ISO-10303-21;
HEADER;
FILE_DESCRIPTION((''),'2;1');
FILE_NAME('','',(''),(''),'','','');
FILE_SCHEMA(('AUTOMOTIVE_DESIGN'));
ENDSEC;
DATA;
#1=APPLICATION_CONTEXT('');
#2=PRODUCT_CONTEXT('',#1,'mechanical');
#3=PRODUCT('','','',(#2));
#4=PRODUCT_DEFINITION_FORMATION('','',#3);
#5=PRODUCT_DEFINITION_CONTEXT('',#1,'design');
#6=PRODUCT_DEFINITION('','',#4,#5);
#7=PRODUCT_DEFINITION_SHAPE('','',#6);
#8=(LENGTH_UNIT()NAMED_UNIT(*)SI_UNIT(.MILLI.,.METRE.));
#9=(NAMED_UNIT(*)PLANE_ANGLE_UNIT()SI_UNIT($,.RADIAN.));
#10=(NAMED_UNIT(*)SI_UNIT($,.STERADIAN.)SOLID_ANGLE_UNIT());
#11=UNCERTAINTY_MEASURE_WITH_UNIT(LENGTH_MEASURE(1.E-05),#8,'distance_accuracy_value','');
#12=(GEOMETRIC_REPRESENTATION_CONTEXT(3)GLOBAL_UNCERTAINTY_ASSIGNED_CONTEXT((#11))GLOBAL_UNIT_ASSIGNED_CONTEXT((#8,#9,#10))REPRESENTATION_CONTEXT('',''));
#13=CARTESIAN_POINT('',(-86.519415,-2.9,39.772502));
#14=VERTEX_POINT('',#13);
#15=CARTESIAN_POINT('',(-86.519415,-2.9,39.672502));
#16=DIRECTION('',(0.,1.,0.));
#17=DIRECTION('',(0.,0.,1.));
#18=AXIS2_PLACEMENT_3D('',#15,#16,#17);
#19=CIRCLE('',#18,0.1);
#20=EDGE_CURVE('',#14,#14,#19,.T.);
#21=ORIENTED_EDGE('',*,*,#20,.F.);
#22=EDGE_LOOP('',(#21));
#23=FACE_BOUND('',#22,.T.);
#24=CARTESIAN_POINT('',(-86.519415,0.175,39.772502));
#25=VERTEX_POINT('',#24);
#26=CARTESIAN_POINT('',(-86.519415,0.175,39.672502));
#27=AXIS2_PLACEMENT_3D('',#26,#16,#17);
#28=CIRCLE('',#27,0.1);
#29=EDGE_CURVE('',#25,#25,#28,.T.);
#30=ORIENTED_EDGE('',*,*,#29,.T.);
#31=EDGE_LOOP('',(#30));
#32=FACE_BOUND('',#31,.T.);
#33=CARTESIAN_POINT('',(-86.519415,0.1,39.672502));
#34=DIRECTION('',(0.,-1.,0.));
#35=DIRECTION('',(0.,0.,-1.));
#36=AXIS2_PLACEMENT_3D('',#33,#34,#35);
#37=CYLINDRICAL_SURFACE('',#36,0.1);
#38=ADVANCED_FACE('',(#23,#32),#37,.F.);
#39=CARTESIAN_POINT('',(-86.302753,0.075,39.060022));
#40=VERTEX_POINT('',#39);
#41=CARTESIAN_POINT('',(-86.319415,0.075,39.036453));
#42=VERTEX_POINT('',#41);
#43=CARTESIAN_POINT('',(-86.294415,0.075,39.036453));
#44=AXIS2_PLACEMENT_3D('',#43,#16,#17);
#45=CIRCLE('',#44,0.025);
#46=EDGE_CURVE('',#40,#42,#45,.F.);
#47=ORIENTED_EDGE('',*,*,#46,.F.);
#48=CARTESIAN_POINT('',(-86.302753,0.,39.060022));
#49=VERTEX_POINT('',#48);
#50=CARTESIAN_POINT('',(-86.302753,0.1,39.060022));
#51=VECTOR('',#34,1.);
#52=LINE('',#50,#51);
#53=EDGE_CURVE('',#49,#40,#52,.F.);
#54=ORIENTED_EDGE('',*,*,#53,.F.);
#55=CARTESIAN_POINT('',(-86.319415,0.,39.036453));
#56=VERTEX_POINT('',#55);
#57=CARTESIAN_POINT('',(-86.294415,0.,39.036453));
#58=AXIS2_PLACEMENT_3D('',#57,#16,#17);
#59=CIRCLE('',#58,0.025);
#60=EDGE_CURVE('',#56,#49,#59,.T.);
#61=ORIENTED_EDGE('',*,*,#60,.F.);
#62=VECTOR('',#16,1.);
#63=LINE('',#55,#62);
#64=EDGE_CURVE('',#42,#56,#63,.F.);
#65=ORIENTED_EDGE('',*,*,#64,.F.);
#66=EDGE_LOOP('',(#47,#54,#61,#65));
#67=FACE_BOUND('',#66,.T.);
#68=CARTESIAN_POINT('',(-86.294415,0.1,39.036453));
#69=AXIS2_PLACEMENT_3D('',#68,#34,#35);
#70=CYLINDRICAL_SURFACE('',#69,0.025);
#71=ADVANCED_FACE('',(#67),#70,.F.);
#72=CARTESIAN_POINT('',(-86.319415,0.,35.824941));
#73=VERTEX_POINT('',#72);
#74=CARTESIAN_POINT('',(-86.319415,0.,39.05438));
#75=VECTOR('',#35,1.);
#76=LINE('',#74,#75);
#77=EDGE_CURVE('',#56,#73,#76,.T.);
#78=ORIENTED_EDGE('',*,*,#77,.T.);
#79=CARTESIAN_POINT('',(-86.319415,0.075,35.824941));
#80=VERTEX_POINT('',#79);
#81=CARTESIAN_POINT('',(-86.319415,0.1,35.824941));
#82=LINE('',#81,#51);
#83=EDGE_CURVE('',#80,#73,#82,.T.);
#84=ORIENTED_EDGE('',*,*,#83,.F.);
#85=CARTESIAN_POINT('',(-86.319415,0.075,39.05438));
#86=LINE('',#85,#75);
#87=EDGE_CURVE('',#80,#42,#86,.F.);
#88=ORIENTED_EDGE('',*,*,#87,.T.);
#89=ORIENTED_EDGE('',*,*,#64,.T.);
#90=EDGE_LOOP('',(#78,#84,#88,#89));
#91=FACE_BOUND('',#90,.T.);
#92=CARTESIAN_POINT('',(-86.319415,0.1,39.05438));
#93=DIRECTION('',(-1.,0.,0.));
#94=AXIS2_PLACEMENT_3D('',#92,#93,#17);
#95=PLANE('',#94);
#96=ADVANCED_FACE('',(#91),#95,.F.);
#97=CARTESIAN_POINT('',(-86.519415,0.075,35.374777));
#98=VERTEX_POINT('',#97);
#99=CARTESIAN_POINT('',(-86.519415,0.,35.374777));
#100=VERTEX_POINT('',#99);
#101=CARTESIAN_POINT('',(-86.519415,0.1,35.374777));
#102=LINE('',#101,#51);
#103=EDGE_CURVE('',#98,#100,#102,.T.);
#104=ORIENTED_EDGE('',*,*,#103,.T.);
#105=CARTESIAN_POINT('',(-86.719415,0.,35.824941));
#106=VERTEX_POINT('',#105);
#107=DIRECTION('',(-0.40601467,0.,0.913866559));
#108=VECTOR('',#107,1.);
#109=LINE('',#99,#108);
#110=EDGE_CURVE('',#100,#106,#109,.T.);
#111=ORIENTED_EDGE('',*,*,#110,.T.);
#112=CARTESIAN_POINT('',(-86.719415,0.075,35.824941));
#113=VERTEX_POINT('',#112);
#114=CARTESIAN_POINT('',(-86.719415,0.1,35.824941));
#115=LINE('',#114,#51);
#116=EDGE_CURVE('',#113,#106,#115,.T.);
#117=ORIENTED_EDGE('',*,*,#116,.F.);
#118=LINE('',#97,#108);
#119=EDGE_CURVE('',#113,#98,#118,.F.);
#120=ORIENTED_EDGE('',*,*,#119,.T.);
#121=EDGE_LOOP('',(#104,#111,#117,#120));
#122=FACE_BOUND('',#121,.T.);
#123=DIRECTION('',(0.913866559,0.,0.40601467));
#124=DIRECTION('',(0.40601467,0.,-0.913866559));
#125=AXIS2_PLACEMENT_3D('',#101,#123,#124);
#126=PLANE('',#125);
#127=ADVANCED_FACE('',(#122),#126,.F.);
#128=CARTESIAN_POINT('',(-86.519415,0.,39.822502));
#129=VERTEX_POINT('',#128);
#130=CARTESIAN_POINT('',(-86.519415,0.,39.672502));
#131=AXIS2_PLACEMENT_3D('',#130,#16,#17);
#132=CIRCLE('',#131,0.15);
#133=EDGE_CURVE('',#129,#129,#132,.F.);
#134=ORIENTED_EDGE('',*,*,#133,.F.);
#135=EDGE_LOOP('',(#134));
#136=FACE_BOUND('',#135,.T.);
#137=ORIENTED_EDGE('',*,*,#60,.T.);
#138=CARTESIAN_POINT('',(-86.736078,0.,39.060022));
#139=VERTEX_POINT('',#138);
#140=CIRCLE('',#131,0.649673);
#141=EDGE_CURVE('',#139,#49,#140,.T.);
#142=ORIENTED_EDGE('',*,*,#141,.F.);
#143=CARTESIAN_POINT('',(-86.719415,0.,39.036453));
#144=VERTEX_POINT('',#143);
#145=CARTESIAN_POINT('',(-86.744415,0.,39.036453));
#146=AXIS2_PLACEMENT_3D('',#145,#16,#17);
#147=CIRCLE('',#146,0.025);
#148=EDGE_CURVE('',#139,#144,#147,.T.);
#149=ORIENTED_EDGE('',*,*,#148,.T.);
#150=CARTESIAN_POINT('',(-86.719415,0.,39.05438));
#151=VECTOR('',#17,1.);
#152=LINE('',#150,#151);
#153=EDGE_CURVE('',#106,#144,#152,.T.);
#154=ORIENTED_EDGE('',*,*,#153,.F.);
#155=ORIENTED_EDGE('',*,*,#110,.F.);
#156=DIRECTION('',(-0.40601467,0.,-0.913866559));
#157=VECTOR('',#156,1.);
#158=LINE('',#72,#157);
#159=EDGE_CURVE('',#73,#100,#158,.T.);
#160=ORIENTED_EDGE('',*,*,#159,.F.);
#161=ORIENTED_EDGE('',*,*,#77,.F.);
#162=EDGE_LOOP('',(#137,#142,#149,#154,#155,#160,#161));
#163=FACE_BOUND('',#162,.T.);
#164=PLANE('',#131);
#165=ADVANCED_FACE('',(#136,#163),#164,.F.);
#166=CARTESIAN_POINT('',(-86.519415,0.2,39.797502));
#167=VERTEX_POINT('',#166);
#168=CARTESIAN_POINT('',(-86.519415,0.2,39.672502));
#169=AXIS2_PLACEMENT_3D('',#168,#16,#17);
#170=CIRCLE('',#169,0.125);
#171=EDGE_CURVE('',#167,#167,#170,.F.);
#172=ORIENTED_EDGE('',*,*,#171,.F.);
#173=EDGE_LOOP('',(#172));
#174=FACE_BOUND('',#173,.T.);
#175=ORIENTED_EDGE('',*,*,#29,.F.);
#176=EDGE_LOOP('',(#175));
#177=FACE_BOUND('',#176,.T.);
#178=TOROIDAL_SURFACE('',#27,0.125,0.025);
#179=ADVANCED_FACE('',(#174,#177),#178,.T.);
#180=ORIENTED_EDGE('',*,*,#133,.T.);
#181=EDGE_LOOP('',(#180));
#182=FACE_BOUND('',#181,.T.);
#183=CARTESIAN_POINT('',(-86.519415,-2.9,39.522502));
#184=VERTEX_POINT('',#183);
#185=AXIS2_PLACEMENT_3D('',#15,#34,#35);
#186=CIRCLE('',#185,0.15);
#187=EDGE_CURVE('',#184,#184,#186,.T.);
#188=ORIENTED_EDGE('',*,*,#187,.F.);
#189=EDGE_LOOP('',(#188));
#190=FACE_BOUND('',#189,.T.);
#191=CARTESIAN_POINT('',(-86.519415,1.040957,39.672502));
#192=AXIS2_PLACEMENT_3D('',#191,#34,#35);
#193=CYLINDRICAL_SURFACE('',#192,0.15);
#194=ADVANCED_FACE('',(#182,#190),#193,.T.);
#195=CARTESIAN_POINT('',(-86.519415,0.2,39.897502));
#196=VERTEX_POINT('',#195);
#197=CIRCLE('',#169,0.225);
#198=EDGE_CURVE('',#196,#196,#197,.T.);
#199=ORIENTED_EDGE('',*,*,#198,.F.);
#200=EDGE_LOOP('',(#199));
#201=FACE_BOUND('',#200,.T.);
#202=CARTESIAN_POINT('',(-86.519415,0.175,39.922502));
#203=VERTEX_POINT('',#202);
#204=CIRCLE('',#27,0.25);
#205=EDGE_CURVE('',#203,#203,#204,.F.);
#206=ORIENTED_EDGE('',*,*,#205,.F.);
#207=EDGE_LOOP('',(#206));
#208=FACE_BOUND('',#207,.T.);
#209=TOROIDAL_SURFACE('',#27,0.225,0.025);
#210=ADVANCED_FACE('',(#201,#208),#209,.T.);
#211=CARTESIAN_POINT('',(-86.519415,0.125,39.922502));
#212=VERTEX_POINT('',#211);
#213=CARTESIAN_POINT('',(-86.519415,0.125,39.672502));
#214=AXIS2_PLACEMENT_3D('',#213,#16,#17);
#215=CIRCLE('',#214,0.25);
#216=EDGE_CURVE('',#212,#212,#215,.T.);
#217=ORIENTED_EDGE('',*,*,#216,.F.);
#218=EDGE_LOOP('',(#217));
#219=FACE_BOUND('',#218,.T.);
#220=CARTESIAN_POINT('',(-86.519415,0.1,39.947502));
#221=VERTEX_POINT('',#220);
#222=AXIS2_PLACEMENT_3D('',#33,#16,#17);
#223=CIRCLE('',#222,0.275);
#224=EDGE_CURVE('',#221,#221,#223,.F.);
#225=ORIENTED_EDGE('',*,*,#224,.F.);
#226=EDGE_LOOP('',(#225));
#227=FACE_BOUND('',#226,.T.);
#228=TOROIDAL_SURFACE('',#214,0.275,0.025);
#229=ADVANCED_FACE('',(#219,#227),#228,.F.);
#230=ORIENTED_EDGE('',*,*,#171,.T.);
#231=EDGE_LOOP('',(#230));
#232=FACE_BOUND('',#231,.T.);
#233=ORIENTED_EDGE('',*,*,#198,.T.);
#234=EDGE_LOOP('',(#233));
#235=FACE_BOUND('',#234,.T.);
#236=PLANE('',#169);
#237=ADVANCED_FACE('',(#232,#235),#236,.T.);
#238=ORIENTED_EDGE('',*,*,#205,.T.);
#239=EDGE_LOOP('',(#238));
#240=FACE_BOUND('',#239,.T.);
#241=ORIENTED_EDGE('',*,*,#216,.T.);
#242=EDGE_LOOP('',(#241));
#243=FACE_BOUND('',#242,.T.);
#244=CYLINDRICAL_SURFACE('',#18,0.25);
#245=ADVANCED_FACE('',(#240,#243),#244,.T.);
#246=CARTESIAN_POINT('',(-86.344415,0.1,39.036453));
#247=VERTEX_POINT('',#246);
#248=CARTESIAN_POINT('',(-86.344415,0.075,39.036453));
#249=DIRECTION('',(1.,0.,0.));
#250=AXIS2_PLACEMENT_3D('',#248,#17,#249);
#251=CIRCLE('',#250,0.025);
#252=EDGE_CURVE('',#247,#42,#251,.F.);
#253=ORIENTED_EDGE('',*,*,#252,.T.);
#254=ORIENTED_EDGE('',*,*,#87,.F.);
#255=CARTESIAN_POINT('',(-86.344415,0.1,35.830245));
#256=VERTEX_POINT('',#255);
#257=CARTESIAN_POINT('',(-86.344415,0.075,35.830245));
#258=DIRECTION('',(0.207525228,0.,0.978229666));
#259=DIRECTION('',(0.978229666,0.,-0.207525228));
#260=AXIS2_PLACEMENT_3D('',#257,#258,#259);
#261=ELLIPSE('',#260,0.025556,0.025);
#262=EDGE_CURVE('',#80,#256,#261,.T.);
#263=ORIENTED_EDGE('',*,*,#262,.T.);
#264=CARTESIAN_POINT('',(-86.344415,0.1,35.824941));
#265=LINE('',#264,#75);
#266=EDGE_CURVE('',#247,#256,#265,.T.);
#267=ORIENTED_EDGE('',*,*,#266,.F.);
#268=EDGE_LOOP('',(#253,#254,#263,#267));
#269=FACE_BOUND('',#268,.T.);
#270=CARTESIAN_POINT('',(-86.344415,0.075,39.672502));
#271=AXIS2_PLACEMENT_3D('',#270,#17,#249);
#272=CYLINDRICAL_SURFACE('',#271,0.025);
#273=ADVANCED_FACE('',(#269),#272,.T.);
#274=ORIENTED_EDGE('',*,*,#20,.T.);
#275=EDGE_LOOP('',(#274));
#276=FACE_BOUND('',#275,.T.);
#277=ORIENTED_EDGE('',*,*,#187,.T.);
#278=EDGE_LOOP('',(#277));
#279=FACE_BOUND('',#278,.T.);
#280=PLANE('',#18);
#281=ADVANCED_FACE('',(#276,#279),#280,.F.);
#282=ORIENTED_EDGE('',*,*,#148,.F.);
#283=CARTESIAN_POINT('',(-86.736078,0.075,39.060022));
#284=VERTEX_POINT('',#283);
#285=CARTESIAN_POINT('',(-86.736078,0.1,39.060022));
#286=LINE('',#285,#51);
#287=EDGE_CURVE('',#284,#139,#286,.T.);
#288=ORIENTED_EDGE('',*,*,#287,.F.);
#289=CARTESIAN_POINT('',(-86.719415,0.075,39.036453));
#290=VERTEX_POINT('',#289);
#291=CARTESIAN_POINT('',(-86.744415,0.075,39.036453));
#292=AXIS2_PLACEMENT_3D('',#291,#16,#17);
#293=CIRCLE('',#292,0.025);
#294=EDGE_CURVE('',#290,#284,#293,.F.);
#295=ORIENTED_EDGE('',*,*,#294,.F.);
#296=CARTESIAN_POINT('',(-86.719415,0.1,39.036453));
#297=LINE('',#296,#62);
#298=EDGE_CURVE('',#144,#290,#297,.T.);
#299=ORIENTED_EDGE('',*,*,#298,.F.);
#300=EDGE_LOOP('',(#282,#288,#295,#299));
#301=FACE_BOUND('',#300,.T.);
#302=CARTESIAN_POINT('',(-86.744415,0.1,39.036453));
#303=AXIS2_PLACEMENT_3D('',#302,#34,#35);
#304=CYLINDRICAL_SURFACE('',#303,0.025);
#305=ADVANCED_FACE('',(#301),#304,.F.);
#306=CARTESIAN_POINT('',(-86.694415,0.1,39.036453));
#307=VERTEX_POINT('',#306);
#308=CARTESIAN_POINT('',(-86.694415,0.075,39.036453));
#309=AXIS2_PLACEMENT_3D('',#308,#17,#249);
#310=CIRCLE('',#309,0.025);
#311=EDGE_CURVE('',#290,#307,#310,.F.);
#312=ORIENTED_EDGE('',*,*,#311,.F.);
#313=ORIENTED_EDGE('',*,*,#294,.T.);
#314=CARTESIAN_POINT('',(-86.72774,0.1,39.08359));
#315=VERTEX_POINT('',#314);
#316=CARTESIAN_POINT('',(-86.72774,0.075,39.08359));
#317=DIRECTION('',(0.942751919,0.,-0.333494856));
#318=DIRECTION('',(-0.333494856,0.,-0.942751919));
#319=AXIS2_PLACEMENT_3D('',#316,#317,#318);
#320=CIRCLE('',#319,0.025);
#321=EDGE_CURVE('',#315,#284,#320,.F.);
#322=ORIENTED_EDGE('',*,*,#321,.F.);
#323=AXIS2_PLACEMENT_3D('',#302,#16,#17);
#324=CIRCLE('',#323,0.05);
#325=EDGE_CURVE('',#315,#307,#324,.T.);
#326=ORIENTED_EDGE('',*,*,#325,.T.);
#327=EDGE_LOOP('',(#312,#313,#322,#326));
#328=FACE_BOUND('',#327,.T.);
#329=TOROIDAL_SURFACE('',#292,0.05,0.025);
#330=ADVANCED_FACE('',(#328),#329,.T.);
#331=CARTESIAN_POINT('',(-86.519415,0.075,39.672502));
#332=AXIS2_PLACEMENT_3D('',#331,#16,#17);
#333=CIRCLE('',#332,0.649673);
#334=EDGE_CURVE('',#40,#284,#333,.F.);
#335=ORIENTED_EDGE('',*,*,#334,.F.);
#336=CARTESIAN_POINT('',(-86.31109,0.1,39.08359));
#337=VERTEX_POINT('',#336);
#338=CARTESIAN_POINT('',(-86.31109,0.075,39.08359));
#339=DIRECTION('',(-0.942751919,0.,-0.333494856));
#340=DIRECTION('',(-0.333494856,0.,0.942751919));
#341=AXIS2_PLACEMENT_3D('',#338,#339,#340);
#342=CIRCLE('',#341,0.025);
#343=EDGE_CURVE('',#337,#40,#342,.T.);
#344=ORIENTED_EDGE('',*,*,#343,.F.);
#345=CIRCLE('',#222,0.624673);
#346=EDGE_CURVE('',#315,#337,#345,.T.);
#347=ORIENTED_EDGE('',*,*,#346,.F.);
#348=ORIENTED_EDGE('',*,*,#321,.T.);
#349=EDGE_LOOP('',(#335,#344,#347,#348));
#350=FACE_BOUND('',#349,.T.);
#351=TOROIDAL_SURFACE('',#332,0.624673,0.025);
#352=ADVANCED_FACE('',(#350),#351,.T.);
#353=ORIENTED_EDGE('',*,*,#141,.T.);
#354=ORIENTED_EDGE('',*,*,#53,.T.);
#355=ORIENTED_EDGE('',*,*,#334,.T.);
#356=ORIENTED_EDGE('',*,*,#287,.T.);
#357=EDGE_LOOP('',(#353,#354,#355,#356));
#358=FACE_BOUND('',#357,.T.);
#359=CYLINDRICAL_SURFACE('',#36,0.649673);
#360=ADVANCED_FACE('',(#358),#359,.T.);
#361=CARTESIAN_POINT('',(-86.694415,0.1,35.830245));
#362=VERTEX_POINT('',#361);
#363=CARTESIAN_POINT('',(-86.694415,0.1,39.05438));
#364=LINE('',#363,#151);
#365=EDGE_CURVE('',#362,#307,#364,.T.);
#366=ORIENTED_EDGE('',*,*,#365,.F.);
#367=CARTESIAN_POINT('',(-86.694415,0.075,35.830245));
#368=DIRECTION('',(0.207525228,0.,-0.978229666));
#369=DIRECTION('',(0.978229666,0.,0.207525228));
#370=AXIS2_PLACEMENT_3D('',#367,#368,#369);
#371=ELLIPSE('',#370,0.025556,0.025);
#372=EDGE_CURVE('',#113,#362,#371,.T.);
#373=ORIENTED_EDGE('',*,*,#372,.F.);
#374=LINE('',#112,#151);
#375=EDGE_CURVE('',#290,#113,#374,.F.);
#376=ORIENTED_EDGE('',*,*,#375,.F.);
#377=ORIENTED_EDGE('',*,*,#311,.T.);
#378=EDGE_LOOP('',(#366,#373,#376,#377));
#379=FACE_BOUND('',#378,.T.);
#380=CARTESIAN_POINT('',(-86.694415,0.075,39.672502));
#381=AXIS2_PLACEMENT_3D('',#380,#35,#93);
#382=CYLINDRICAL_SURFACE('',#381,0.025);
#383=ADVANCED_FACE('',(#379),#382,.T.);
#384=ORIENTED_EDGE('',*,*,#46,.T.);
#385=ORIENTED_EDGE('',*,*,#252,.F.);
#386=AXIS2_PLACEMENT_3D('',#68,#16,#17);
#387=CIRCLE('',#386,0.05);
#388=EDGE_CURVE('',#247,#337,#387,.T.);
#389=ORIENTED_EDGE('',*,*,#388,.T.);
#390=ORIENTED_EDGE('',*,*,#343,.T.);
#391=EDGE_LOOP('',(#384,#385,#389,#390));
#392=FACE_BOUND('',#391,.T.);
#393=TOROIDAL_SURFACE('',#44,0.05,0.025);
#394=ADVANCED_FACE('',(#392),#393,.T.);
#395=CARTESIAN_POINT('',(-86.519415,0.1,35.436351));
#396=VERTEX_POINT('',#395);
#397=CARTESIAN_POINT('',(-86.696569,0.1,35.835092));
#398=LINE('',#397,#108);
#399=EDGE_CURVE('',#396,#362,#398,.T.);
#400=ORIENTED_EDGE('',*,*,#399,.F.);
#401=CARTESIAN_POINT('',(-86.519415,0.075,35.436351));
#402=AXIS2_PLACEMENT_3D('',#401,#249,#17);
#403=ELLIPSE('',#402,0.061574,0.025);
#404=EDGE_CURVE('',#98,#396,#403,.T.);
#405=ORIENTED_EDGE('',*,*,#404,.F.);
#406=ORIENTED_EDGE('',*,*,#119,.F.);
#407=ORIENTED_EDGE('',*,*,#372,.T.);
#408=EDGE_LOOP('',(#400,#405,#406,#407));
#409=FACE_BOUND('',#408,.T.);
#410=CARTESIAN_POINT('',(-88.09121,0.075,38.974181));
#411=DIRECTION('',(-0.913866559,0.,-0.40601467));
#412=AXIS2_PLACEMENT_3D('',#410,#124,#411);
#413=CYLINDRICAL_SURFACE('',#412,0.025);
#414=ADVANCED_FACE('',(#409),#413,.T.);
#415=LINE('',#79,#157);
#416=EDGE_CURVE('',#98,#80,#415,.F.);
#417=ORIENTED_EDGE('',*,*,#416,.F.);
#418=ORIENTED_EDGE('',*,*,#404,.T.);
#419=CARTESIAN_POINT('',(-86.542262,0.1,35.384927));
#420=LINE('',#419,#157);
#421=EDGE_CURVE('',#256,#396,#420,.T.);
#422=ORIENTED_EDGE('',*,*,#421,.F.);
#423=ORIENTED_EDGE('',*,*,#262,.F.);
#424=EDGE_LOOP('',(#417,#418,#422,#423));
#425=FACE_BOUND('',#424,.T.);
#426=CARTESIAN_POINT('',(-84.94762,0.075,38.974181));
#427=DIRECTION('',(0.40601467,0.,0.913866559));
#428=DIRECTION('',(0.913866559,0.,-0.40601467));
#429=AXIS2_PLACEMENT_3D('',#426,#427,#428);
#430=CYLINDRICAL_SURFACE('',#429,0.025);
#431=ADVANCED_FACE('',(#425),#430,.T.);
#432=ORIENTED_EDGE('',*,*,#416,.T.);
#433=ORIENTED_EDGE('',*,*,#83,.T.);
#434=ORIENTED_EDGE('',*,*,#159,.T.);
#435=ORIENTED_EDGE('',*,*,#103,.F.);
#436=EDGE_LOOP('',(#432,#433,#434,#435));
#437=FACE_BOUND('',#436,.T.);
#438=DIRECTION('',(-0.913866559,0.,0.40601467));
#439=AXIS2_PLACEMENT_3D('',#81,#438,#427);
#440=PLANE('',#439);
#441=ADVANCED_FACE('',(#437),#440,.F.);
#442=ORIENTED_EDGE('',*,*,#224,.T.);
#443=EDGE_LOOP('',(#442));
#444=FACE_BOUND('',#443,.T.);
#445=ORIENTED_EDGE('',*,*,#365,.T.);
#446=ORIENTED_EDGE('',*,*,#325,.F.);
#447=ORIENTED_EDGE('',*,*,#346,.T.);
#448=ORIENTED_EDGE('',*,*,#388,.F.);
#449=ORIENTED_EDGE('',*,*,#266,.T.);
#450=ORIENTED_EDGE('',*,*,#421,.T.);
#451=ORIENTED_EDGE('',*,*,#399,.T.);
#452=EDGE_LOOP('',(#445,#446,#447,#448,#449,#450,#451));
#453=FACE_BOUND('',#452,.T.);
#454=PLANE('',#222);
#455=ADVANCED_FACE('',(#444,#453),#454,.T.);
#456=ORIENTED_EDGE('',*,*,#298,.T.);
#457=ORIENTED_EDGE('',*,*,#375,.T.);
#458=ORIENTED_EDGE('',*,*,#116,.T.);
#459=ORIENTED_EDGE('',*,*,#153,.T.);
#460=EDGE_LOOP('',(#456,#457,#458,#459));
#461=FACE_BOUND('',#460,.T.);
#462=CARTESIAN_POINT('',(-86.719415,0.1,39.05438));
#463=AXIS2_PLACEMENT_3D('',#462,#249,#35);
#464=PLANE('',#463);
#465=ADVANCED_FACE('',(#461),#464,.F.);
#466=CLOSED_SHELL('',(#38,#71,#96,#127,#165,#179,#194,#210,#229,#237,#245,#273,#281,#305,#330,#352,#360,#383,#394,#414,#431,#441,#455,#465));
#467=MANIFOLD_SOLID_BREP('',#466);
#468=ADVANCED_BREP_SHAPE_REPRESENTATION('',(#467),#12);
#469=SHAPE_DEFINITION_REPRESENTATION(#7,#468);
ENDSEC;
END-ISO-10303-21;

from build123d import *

# Parameters (mm, degrees)
SKETCH1_R                = 0.1
BOSS_EXTRUDE1_DEPTH      = 0.1
SKETCH2_R                = 0.25
SKETCH2_R_2              = 0.1
BOSS_EXTRUDE2_DEPTH      = 0.1
BOSS_EXTRUDE2_DEPTH_BACK = 3
FILLET1_R                = 0.025
FILLET2_R                = 0.025
SKETCH3_R                = 0.368033955
SKETCH3_R_2              = 0.15
CUT_EXTRUDE1_DEPTH       = 2.9


with BuildPart() as part:
    # Sketch1 → Boss-Extrude1 (new body)
    with BuildSketch(Plane(origin=(0, 0, 0), x_dir=(1, 0, 0), z_dir=(0, 1, 0))):
        with BuildLine():
            Line((-86.3194152, -39.054379804), (-86.3194152, -35.824941353))
            Line((-86.3194152, -35.824941353), (-86.5194152, -35.374777047))
            Line((-86.5194152, -35.374777047), (-86.7194152, -35.824941353))
            Line((-86.7194152, -35.824941353), (-86.7194152, -39.054379804))
            ThreePointArc((-86.7194152, -39.054379804), (-86.5194152, -40.322175119), (-86.3194152, -39.054379804))
        make_face()
        with Locations((-86.5194152, -39.672502044)):
            Circle(SKETCH1_R, mode=Mode.SUBTRACT)
    extrude(amount=BOSS_EXTRUDE1_DEPTH)

    # Sketch2 → Boss-Extrude2 (add, two sides)
    with BuildSketch(Plane(origin=(0, 0.1, 0), x_dir=(1, 0, 0), z_dir=(0, 1, 0))) as boss_extrude2_sk:
        with Locations((-86.5194152, -39.672502044)):
            Circle(SKETCH2_R)
        with Locations((-86.5194152, -39.672502044)):
            Circle(SKETCH2_R_2, mode=Mode.SUBTRACT)
    extrude(amount=BOSS_EXTRUDE2_DEPTH)
    extrude(boss_extrude2_sk.sketch, amount=-BOSS_EXTRUDE2_DEPTH_BACK)

    # Fillet1
    fillet1_edges = [part.edges().sort_by_distance(p)[0] for p in [
        (-86.6194152, 0.2, 39.672502044),
        (-86.7694152, 0.2, 39.672502044),
    ]]
    fillet(fillet1_edges, radius=FILLET1_R)

    # Fillet2
    fillet2_edges = [part.edges().sort_by_distance(p)[0] for p in [
        (-86.7194152, 0.1, 37.439660578),
        (-86.5194152, 0.1, 40.322175119),
        (-86.3194152, 0.1, 37.439660578),
        (-86.7694152, 0.1, 39.672502044),
        (-86.4194152, 0.1, 35.5998592),
        (-86.6194152, 0.1, 35.5998592),
        (-86.3194152, 0.05, 39.054379804),
        (-86.7194152, 0.05, 39.054379804),
    ]]
    fillet(fillet2_edges, radius=FILLET2_R)

    # Sketch3 → Cut-Extrude1 (cut)
    with BuildSketch(Plane.XZ.offset(2.9)):
        with Locations((-86.5194152, 39.672502044)):
            Circle(SKETCH3_R)
        with Locations((-86.5194152, 39.672502044)):
            Circle(SKETCH3_R_2, mode=Mode.SUBTRACT)
    extrude(amount=-CUT_EXTRUDE1_DEPTH, mode=Mode.SUBTRACT)


solid = part.part
